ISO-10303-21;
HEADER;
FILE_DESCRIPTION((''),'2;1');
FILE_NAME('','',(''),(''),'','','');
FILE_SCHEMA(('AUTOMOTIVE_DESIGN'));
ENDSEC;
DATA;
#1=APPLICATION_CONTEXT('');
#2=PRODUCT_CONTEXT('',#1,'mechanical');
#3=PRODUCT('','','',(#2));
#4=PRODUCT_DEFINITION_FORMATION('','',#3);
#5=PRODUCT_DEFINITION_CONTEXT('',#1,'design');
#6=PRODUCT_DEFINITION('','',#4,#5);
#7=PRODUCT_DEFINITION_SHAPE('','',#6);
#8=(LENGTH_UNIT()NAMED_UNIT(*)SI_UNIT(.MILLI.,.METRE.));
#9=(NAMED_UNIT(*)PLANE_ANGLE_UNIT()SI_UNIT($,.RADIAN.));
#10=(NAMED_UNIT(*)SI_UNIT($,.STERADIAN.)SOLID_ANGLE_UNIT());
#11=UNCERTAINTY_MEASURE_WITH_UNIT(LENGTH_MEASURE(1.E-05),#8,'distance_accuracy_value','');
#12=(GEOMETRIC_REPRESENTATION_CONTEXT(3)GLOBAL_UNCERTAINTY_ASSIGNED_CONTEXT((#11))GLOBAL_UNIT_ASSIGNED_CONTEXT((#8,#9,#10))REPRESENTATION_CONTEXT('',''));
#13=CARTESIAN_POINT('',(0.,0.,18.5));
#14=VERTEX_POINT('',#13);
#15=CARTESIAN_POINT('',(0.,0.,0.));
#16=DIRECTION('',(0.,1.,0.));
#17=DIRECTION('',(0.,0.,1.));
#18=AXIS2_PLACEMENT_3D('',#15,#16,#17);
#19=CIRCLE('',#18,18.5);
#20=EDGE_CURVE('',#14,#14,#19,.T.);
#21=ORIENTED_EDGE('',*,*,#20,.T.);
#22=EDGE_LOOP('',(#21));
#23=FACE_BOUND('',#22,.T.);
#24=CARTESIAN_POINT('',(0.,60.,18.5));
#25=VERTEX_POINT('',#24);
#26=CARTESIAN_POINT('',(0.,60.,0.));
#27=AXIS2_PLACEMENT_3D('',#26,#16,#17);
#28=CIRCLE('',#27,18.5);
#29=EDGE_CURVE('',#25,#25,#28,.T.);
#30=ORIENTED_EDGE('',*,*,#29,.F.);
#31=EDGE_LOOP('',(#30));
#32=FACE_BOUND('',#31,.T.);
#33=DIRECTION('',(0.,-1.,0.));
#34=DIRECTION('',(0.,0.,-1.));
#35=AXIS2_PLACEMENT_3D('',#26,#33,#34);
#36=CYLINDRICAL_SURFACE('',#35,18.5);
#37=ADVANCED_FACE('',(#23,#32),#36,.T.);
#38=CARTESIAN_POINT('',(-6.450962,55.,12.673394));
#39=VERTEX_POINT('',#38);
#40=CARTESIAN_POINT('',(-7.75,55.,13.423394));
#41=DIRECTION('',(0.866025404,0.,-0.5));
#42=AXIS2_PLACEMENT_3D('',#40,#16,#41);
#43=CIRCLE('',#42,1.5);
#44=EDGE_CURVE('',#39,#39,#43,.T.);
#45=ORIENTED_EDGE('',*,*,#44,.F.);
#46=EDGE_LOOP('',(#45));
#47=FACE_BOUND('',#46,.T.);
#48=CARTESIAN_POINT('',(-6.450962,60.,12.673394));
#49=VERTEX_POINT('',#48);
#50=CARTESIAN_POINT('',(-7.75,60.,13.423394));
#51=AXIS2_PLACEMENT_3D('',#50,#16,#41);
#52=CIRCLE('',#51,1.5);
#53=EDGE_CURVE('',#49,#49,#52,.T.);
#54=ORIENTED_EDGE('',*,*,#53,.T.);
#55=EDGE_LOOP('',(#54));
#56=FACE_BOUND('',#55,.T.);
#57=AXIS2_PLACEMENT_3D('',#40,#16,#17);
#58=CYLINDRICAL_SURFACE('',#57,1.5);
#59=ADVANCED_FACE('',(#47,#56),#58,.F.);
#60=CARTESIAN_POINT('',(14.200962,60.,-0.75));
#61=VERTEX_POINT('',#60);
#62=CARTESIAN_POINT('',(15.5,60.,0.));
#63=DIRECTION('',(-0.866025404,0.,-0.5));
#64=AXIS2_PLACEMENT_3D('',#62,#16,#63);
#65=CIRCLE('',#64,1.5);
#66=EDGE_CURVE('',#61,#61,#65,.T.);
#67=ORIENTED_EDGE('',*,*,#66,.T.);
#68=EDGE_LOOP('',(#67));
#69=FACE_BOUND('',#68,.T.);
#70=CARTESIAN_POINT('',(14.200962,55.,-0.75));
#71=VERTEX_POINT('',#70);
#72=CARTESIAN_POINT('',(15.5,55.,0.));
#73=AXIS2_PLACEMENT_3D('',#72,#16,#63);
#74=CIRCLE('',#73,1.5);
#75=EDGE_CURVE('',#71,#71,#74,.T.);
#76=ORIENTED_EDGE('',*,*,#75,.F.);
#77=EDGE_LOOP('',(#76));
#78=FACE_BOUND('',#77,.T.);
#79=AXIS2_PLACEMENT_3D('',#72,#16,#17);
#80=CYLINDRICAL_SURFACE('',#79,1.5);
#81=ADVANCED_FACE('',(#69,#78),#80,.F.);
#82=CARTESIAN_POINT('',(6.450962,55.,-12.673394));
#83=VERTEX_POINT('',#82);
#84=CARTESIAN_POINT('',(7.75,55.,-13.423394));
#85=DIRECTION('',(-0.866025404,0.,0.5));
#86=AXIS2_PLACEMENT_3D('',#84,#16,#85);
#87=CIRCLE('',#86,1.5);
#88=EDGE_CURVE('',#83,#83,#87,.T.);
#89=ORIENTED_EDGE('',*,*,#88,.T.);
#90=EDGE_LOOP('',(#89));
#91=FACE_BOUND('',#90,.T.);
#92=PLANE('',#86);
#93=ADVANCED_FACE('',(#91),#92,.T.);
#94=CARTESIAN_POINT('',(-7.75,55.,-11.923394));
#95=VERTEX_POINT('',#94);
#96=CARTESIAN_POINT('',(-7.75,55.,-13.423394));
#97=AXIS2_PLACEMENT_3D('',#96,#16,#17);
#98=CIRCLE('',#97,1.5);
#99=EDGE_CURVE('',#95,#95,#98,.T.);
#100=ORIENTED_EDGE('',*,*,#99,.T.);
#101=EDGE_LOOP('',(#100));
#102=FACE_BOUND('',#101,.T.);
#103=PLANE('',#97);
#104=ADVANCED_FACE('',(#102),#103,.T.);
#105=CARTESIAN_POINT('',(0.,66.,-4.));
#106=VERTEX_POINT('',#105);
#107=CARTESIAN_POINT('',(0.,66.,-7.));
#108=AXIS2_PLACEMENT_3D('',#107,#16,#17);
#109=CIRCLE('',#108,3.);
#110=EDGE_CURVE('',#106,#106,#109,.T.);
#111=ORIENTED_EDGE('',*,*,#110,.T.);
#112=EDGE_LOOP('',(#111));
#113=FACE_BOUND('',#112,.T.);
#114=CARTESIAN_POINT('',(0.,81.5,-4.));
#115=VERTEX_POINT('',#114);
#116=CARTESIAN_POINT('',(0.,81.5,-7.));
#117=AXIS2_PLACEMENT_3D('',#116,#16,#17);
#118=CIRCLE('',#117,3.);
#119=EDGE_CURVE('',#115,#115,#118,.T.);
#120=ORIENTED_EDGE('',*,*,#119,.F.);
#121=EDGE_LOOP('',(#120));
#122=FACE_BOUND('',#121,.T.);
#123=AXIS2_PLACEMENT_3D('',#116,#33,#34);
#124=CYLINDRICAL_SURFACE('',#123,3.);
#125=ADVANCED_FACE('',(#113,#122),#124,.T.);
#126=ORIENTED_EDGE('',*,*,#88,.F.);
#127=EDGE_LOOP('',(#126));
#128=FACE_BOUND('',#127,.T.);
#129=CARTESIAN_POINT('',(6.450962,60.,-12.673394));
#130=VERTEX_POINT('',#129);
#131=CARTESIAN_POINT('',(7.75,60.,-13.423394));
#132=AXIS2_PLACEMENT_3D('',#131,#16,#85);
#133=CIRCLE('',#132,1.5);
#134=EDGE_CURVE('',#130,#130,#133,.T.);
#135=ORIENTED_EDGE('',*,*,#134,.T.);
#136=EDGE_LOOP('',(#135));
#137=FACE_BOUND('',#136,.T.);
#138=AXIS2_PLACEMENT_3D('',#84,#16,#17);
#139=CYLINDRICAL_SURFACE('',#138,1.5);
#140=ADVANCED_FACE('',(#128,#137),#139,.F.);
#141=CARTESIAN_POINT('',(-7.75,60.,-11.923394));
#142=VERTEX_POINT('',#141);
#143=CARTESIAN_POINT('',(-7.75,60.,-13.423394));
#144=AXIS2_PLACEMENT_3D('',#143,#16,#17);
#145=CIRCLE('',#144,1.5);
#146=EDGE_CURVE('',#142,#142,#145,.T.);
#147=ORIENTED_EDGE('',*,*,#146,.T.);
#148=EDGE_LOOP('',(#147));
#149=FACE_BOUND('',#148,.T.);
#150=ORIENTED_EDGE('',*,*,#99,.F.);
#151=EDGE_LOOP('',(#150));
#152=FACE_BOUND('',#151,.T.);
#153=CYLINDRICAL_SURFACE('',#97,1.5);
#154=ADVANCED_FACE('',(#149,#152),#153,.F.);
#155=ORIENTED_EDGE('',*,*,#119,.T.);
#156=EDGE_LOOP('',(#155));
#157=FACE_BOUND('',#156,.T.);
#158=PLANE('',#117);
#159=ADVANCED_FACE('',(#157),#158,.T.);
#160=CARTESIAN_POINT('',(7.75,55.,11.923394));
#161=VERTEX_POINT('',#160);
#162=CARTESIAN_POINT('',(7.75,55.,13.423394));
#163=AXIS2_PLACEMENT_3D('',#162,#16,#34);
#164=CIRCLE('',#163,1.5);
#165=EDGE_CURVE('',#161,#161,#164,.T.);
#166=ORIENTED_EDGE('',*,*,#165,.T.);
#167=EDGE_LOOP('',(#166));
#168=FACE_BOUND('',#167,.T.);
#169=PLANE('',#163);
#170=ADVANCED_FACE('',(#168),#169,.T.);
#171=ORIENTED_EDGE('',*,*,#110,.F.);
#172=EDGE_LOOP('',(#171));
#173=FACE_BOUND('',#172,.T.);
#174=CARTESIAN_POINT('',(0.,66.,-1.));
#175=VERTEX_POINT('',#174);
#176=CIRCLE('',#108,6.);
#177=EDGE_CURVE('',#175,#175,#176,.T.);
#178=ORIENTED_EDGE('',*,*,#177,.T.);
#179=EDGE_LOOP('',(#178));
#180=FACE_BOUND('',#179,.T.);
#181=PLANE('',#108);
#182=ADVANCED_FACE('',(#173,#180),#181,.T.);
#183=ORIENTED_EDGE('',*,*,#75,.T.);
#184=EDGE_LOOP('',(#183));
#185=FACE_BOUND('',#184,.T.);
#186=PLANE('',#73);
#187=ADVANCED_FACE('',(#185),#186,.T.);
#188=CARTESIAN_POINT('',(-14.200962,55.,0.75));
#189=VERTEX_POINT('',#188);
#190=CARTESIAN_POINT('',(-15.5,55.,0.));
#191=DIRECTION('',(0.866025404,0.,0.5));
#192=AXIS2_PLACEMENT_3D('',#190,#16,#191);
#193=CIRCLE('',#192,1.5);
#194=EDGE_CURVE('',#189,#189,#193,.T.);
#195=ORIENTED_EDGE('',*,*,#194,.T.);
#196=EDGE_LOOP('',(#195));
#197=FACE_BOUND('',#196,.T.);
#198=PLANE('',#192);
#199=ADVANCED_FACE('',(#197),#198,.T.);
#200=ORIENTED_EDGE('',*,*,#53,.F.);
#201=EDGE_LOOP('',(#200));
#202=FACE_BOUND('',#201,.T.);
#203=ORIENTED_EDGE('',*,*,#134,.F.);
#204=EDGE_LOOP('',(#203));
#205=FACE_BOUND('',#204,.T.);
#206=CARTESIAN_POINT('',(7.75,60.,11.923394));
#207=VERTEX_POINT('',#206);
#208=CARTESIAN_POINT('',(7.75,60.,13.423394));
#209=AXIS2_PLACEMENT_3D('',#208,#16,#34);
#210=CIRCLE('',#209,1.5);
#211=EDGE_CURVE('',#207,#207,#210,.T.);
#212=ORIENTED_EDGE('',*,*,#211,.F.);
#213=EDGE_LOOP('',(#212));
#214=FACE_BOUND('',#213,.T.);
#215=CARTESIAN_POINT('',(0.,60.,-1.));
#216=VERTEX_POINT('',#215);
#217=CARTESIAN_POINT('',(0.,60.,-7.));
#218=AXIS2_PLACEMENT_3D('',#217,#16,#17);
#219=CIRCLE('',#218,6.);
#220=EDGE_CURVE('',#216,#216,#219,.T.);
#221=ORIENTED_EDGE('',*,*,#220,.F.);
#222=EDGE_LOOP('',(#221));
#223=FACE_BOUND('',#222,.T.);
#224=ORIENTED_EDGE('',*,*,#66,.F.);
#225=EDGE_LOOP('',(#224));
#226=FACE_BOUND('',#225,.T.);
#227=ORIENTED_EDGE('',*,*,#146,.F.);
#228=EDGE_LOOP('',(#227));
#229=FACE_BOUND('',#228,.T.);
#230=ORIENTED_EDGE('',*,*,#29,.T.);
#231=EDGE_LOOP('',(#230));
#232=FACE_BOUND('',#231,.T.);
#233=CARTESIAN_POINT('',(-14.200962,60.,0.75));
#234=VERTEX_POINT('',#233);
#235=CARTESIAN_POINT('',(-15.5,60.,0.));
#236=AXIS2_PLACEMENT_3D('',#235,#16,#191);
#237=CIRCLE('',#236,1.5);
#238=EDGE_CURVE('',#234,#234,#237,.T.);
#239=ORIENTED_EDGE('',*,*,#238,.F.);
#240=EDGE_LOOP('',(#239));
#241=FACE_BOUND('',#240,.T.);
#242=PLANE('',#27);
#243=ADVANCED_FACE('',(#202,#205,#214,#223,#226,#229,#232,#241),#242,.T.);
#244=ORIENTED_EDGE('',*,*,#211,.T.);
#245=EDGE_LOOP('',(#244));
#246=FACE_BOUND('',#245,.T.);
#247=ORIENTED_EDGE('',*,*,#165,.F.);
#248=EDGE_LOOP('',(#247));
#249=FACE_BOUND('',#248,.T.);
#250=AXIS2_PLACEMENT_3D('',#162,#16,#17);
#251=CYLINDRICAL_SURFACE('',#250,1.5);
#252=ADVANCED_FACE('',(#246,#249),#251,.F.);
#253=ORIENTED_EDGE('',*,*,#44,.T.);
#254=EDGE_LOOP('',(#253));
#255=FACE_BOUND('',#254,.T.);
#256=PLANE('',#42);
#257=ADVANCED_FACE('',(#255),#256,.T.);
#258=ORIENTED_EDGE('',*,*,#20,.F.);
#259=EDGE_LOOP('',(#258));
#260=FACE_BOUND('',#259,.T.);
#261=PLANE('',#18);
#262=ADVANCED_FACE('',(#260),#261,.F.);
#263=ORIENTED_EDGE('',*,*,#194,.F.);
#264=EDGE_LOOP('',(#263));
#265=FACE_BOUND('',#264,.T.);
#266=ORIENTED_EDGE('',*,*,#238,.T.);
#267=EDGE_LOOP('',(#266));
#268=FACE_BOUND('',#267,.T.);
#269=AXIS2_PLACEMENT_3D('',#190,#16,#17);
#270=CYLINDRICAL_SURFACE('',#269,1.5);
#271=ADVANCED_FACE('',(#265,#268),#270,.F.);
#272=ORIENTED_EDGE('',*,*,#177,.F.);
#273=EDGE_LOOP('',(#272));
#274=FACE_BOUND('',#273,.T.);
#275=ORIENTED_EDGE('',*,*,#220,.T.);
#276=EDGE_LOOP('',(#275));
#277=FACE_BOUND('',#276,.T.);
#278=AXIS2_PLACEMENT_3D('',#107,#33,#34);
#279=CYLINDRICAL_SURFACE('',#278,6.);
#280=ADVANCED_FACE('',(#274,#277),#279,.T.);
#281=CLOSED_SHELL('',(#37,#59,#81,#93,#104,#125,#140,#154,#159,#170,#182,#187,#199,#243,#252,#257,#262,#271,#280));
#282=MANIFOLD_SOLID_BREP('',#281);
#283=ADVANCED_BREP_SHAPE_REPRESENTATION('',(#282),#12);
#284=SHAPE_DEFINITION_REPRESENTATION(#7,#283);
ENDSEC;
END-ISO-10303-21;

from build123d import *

# Parameters (mm, degrees)
SKETCH_1_R               = 18.5
EXTRUDE_1_DEPTH          = 60
SKETCH_2_R               = 6
EXTRUDE_2_DEPTH          = 6
SKETCH_4_R               = 3
EXTRUDE_3_DEPTH          = 15.5
SKETCH_3_R               = 1.5
CUT_EXTRUDE_1_DEPTH      = 5
PATTERN_CIRCULAR_2_COUNT = 6


with BuildPart() as part:
    # 草图1 → 凸台-拉伸1 (new body)
    with BuildSketch(Plane(origin=(0, 0, 0), x_dir=(1, 0, 0), z_dir=(0, 1, 0))):
        with Locations(Location((0, 0, 0), (0, 0, 270))):
            Circle(SKETCH_1_R)
    extrude(amount=EXTRUDE_1_DEPTH)

    # 草图2 → 凸台-拉伸2 (add)
    with BuildSketch(Plane(origin=(0, 60, 0), x_dir=(1, 0, 0), z_dir=(0, 1, 0))):
        with Locations(Location((0, 7, 0), (0, 0, 270))):
            Circle(SKETCH_2_R)
    extrude(amount=EXTRUDE_2_DEPTH)

    # 草图4 → 凸台-拉伸3 (add)
    with BuildSketch(Plane(origin=(0, 66, 0), x_dir=(1, 0, 0), z_dir=(0, 1, 0))):
        with Locations(Location((0, 7, 0), (0, 0, 270))):
            Circle(SKETCH_4_R)
    extrude(amount=EXTRUDE_3_DEPTH)

    # 草图3 → 切除-拉伸1 (cut)
    with BuildSketch(Plane(origin=(0, 60, 0), x_dir=(1, 0, 0), z_dir=(0, 1, 0))):
        with Locations(Location((-7.75, 13.423393759, 0), (0, 0, 270))):
            Circle(SKETCH_3_R)
    cut_extrude_1 = extrude(amount=-CUT_EXTRUDE_1_DEPTH, mode=Mode.SUBTRACT)

    # 阵列(圆周)2: 切除-拉伸1 ×6 about axis
    pattern_circular_2_axis = Axis((0, 0, 0), (0, 1, 0))
    for i in range(1, PATTERN_CIRCULAR_2_COUNT):
        add(cut_extrude_1.rotate(pattern_circular_2_axis, i * 360 / PATTERN_CIRCULAR_2_COUNT), mode=Mode.SUBTRACT)


solid = part.part
